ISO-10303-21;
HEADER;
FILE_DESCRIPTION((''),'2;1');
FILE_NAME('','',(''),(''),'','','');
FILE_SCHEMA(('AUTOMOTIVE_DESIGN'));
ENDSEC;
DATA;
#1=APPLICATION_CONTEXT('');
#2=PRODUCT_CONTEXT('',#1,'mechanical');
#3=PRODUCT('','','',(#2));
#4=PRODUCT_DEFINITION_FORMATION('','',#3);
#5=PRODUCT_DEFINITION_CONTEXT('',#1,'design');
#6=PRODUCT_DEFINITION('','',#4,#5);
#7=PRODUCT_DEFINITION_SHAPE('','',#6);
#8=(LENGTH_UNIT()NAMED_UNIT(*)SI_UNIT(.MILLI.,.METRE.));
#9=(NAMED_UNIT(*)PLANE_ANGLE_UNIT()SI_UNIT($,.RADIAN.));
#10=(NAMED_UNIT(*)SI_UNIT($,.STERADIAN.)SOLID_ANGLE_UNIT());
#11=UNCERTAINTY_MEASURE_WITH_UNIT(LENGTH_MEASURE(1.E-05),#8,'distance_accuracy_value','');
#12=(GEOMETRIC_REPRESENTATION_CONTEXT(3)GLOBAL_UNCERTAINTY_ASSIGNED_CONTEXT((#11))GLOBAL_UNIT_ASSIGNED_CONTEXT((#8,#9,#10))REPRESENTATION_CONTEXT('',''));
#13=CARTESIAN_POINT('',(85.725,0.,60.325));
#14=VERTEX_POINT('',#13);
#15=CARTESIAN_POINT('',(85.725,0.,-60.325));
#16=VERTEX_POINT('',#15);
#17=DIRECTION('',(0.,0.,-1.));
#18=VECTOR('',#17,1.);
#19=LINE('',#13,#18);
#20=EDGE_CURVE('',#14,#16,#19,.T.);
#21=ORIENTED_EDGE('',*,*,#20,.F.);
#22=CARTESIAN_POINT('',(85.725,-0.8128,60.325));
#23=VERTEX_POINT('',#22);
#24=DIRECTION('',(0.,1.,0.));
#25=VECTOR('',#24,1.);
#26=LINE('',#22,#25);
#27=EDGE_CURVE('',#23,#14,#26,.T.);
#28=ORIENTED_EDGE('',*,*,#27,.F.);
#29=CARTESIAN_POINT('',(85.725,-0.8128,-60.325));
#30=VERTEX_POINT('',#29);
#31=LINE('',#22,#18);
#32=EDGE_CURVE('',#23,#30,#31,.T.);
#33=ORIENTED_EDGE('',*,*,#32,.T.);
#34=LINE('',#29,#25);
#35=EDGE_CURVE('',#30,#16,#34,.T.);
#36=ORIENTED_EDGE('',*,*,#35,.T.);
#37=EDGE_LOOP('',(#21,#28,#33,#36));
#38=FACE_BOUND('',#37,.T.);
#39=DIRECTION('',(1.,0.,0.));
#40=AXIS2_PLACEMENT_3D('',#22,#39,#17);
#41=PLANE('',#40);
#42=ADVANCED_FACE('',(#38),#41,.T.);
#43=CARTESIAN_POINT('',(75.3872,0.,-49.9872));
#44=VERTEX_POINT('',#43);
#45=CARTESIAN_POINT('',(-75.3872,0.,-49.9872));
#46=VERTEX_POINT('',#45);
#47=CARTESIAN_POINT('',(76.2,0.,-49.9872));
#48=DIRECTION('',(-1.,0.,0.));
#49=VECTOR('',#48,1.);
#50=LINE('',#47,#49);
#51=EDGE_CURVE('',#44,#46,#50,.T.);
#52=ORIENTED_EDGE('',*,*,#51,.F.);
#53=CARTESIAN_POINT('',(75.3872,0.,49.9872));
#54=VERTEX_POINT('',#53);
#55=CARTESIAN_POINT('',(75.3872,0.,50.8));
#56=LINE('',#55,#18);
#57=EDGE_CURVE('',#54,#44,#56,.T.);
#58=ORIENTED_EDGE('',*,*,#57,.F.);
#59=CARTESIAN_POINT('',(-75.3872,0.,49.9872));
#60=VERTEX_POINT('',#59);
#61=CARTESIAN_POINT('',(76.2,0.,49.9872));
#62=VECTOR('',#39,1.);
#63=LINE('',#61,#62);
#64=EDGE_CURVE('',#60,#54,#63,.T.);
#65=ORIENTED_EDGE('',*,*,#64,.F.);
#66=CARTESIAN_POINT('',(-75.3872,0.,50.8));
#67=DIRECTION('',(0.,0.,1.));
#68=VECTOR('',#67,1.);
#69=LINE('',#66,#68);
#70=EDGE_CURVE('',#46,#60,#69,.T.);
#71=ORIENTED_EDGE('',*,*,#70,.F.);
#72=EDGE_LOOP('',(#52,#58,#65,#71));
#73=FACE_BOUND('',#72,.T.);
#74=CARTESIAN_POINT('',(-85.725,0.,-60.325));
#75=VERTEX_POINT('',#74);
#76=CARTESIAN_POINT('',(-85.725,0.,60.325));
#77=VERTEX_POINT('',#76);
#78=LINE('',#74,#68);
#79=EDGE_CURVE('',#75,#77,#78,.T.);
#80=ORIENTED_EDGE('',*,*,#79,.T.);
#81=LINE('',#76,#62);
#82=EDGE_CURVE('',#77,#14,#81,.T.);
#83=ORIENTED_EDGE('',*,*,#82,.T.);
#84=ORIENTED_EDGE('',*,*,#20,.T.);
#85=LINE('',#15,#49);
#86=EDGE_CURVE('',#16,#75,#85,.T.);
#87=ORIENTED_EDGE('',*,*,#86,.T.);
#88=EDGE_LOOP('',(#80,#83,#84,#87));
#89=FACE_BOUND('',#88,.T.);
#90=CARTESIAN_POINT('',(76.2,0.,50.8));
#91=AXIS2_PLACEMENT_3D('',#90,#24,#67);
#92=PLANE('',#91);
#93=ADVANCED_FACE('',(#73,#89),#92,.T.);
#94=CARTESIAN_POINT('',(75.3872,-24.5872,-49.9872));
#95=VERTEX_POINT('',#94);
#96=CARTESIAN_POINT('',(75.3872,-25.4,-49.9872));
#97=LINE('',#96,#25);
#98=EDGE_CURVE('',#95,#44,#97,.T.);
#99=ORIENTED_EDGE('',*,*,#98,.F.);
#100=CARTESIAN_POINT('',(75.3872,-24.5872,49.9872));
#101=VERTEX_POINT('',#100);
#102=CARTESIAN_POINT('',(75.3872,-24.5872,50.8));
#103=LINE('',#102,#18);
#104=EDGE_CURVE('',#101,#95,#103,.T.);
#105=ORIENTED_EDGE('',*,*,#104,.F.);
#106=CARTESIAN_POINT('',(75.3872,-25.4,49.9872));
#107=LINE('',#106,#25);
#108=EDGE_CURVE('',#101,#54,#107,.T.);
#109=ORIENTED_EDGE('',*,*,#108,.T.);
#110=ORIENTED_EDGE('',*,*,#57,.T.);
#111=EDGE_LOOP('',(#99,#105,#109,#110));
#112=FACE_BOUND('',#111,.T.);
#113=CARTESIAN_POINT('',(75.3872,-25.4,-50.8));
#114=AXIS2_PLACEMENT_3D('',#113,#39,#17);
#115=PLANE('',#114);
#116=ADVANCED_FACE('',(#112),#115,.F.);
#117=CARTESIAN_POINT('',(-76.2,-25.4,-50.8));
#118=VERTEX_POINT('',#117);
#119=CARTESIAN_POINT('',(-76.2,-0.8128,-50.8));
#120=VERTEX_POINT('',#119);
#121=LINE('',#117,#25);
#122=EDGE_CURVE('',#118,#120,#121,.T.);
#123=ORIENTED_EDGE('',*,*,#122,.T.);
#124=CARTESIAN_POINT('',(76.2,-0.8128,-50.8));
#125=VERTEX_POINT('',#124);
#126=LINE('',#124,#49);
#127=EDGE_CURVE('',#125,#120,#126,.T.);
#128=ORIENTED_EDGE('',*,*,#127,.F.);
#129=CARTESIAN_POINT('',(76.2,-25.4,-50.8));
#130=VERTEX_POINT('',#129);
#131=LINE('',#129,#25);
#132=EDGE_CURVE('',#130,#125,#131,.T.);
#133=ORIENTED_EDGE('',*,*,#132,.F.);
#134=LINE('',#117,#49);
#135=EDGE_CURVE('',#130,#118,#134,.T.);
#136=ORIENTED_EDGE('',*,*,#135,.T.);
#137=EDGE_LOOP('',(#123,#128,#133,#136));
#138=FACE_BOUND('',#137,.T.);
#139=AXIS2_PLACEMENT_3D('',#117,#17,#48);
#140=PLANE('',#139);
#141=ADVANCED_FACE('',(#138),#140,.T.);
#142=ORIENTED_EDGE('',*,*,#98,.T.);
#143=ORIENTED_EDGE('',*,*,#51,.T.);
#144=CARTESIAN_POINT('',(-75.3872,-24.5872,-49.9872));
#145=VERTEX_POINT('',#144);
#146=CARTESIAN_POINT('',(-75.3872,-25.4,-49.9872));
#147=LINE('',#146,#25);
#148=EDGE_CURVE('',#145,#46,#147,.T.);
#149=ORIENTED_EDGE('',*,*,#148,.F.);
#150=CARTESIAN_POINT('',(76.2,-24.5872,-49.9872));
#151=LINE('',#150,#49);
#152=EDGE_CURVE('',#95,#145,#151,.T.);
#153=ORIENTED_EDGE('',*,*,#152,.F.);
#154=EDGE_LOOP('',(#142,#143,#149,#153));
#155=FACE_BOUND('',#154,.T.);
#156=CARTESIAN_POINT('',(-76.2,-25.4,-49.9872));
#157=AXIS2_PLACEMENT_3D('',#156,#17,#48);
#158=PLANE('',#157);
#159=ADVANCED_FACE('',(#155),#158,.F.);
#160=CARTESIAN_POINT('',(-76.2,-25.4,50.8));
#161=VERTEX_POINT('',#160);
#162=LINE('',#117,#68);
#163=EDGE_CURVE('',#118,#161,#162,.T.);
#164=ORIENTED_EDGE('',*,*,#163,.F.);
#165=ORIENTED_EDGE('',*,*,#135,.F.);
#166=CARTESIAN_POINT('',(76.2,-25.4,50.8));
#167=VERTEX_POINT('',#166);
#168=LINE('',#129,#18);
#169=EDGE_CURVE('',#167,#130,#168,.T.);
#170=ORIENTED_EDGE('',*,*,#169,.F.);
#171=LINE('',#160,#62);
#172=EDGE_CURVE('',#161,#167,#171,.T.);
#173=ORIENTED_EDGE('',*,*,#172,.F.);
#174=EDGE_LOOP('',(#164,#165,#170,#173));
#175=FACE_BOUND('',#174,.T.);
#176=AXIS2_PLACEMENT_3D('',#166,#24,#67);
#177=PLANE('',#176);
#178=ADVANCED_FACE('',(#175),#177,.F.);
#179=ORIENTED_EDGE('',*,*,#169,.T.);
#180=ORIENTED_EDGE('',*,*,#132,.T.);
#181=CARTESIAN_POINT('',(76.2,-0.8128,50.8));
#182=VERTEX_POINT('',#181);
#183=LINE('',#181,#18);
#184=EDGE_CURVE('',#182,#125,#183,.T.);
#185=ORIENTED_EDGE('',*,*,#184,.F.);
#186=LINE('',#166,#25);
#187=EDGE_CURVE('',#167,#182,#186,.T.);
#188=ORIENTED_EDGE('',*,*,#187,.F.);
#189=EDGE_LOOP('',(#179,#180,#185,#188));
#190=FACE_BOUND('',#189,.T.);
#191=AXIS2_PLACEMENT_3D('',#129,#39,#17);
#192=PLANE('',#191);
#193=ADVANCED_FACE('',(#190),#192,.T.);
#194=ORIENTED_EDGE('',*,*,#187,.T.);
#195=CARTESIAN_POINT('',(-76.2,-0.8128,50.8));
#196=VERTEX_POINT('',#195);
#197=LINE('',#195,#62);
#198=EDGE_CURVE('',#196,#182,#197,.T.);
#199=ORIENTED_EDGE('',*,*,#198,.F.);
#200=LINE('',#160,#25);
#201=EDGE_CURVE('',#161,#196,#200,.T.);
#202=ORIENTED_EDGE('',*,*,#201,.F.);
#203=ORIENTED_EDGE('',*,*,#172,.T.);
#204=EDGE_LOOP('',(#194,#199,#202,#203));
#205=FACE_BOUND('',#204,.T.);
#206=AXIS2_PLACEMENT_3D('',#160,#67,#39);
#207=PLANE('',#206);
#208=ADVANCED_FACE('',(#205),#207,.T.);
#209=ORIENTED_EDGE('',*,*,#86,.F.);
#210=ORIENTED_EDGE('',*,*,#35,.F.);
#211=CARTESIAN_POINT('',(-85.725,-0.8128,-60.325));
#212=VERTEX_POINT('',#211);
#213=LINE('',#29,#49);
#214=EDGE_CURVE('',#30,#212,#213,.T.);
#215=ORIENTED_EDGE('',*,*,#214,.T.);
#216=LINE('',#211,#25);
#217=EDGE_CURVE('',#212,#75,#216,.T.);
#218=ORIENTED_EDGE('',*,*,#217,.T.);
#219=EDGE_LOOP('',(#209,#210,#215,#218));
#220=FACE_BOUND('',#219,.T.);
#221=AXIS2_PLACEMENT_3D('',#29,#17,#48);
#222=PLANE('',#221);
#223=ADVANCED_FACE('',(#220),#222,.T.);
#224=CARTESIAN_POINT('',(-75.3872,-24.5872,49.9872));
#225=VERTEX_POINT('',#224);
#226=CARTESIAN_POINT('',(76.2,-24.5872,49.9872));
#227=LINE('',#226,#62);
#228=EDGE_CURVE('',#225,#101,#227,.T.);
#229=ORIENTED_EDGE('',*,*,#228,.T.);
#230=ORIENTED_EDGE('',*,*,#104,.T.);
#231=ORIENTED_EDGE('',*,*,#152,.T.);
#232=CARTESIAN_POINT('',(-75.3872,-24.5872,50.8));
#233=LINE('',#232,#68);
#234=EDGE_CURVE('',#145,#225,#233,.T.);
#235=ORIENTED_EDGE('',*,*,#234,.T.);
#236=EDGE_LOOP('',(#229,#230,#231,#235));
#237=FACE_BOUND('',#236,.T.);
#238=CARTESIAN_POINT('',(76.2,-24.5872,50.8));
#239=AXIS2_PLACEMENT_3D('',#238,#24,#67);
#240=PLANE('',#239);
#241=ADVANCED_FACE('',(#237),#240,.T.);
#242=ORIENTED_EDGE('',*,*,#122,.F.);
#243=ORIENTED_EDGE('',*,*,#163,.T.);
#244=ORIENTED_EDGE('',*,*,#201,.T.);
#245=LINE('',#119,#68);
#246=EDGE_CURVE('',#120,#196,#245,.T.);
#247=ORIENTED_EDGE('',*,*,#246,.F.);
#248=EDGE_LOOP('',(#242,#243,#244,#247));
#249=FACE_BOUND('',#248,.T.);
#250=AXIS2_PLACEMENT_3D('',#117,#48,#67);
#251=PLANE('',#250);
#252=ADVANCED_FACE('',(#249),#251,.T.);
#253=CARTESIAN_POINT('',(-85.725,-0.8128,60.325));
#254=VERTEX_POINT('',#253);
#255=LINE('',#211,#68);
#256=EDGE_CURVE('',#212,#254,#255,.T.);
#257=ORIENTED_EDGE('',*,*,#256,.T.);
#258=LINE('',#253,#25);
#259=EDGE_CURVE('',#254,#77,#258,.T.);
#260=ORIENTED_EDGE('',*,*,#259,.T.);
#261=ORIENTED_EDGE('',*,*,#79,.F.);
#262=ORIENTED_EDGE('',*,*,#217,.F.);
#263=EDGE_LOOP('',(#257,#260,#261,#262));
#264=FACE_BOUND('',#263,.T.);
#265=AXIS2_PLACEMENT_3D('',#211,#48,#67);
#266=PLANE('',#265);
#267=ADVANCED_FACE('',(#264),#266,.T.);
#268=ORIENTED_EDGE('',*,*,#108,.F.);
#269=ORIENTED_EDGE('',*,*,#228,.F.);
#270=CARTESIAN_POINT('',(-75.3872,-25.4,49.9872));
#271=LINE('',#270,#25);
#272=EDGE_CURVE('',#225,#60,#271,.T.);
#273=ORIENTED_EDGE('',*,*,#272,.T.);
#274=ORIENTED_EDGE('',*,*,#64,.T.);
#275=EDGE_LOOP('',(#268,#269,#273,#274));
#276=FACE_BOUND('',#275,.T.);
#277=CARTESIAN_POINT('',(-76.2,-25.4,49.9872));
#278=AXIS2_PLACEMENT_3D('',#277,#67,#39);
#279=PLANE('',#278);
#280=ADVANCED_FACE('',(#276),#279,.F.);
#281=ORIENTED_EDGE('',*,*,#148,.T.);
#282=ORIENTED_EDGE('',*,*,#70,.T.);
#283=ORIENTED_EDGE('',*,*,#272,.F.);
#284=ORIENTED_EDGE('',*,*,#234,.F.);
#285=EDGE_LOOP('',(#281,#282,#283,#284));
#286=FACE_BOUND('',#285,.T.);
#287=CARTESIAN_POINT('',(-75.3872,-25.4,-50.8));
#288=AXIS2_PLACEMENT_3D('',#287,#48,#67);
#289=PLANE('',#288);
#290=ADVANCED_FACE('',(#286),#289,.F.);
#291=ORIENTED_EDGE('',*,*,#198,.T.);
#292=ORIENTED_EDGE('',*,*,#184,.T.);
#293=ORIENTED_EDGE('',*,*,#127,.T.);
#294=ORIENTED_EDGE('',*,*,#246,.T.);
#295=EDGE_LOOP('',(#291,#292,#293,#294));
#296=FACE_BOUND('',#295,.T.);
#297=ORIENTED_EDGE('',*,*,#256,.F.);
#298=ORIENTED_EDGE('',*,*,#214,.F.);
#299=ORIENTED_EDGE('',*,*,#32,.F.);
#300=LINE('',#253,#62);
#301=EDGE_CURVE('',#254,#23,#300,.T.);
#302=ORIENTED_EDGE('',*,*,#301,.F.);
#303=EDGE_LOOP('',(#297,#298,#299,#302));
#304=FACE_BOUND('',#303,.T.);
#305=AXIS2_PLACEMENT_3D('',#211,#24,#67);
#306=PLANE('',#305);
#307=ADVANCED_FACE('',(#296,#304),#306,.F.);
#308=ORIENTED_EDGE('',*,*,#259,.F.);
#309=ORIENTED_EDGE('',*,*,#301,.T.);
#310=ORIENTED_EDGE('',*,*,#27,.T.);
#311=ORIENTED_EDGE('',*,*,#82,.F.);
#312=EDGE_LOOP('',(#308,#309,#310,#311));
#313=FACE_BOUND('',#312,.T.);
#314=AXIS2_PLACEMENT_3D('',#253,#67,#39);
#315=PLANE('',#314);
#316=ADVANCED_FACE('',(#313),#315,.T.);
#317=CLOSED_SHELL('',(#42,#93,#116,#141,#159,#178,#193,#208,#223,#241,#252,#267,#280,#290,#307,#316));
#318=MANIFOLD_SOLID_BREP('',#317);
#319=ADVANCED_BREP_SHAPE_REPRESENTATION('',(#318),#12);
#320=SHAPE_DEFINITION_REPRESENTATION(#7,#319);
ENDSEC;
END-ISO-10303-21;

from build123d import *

# Parameters (mm, degrees)
SKETCH1_W           = 152.4
SKETCH1_H           = 101.6
BOSS_EXTRUDE1_DEPTH = 25.4
SHELL1_T            = -0.8128
SKETCH3_W           = 171.45
SKETCH3_H           = 120.65
SKETCH3_W_2         = 152.4
SKETCH3_H_2         = 101.6
BOSS_EXTRUDE2_DEPTH = 0.8128


with BuildPart() as part:
    # Sketch1 → Boss-Extrude1 (new body)
    with BuildSketch(Plane(origin=(0, 0, 0), x_dir=(1, 0, 0), z_dir=(0, 1, 0))):
        Rectangle(SKETCH1_W, SKETCH1_H)
    extrude(amount=-BOSS_EXTRUDE1_DEPTH)

    # Shell1
    shell1_openings = [part.faces().sort_by_distance(p)[0] for p in [
        (0, 0, 0),
    ]]
    offset(amount=SHELL1_T, openings=shell1_openings, kind=Kind.INTERSECTION)

    # Sketch3 → Boss-Extrude2 (add)
    with BuildSketch(Plane(origin=(0, 0, 0), x_dir=(1, 0, 0), z_dir=(0, 1, 0))):
        Rectangle(SKETCH3_W, SKETCH3_H)
        Rectangle(SKETCH3_W_2, SKETCH3_H_2, mode=Mode.SUBTRACT)
    extrude(amount=-BOSS_EXTRUDE2_DEPTH)


solid = part.part
